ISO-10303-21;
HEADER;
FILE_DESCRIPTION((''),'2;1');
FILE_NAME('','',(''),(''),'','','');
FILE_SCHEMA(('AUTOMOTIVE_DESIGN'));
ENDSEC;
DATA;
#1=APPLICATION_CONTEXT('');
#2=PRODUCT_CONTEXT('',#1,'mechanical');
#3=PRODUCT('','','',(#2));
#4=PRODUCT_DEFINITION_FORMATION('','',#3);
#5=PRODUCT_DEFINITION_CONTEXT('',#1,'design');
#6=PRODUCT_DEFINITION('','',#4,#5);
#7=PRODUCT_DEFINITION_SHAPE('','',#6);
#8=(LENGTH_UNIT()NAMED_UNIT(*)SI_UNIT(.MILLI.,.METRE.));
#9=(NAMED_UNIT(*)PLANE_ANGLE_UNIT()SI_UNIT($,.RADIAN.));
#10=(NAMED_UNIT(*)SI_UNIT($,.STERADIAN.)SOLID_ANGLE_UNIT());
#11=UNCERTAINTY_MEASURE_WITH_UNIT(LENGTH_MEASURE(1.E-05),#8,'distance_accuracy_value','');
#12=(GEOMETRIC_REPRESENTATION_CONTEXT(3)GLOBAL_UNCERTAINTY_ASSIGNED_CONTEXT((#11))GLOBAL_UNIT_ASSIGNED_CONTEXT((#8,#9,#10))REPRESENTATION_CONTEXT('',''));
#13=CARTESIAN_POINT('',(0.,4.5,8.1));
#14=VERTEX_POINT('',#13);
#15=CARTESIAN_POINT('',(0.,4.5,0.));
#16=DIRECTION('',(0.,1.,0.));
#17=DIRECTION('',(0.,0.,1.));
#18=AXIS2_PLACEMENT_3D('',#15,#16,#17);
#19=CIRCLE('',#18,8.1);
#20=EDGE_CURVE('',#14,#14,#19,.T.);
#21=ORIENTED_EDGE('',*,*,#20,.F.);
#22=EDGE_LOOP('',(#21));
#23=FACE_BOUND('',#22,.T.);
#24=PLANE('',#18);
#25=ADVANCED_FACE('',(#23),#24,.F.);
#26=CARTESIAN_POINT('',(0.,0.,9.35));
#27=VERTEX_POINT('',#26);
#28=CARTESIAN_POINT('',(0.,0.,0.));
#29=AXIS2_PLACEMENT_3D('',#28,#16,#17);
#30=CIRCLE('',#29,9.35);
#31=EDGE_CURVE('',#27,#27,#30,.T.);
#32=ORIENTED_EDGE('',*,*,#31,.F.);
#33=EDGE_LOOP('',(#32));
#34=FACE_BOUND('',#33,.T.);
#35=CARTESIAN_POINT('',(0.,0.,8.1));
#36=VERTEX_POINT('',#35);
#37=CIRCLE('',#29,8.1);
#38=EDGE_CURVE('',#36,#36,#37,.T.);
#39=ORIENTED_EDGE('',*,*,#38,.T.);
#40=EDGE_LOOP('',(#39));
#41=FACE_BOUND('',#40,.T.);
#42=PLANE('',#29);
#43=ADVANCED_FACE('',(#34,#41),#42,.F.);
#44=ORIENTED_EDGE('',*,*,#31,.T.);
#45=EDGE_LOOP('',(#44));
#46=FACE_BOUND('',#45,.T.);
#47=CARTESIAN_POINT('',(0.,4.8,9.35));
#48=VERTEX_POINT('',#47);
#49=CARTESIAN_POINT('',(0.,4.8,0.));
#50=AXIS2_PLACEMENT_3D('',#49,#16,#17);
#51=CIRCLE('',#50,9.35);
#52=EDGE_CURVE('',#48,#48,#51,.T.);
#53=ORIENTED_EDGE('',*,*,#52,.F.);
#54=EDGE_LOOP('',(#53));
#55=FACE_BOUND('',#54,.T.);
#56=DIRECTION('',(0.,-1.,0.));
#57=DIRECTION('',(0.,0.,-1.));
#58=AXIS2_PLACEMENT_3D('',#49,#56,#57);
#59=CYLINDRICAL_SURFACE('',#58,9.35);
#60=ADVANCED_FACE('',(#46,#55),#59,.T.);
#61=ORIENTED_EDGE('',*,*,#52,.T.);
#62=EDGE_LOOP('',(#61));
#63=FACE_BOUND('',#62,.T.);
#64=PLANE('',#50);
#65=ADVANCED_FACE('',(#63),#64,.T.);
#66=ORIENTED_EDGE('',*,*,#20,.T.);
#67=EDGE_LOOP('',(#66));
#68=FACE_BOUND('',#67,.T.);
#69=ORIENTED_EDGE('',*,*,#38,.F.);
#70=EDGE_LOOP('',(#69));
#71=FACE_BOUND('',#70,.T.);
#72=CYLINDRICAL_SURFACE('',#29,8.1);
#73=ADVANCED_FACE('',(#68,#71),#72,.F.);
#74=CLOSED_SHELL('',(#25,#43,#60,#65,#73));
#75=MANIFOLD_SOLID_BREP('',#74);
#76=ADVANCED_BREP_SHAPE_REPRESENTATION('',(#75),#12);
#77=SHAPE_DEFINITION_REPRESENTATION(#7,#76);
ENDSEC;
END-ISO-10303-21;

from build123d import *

# Parameters (mm, degrees)
SKETCH1_R           = 9.35
BOSS_EXTRUDE1_DEPTH = 4.8
CUT_EXTRUDE1_START  = -0.3
SKETCH2_R           = 8.1
CUT_EXTRUDE1_DEPTH  = 14.767160339


with BuildPart() as part:
    # Sketch1 → Boss-Extrude1 (new body)
    with BuildSketch(Plane(origin=(0, 0, 0), x_dir=(1, 0, 0), z_dir=(0, 1, 0))):
        with Locations(Location((0, 0, 0), (0, 0, 270))):
            Circle(SKETCH1_R)
    extrude(amount=BOSS_EXTRUDE1_DEPTH)

    # Sketch2 → Cut-Extrude1 (cut, through all)
    with BuildSketch(Plane(origin=(0, 4.8, 0), x_dir=(1, 0, 0), z_dir=(0, 1, 0)).offset(CUT_EXTRUDE1_START)):
        with Locations(Location((0, 0, 0), (0, 0, 270))):
            Circle(SKETCH2_R)
    extrude(amount=-CUT_EXTRUDE1_DEPTH, mode=Mode.SUBTRACT)


solid = part.part
